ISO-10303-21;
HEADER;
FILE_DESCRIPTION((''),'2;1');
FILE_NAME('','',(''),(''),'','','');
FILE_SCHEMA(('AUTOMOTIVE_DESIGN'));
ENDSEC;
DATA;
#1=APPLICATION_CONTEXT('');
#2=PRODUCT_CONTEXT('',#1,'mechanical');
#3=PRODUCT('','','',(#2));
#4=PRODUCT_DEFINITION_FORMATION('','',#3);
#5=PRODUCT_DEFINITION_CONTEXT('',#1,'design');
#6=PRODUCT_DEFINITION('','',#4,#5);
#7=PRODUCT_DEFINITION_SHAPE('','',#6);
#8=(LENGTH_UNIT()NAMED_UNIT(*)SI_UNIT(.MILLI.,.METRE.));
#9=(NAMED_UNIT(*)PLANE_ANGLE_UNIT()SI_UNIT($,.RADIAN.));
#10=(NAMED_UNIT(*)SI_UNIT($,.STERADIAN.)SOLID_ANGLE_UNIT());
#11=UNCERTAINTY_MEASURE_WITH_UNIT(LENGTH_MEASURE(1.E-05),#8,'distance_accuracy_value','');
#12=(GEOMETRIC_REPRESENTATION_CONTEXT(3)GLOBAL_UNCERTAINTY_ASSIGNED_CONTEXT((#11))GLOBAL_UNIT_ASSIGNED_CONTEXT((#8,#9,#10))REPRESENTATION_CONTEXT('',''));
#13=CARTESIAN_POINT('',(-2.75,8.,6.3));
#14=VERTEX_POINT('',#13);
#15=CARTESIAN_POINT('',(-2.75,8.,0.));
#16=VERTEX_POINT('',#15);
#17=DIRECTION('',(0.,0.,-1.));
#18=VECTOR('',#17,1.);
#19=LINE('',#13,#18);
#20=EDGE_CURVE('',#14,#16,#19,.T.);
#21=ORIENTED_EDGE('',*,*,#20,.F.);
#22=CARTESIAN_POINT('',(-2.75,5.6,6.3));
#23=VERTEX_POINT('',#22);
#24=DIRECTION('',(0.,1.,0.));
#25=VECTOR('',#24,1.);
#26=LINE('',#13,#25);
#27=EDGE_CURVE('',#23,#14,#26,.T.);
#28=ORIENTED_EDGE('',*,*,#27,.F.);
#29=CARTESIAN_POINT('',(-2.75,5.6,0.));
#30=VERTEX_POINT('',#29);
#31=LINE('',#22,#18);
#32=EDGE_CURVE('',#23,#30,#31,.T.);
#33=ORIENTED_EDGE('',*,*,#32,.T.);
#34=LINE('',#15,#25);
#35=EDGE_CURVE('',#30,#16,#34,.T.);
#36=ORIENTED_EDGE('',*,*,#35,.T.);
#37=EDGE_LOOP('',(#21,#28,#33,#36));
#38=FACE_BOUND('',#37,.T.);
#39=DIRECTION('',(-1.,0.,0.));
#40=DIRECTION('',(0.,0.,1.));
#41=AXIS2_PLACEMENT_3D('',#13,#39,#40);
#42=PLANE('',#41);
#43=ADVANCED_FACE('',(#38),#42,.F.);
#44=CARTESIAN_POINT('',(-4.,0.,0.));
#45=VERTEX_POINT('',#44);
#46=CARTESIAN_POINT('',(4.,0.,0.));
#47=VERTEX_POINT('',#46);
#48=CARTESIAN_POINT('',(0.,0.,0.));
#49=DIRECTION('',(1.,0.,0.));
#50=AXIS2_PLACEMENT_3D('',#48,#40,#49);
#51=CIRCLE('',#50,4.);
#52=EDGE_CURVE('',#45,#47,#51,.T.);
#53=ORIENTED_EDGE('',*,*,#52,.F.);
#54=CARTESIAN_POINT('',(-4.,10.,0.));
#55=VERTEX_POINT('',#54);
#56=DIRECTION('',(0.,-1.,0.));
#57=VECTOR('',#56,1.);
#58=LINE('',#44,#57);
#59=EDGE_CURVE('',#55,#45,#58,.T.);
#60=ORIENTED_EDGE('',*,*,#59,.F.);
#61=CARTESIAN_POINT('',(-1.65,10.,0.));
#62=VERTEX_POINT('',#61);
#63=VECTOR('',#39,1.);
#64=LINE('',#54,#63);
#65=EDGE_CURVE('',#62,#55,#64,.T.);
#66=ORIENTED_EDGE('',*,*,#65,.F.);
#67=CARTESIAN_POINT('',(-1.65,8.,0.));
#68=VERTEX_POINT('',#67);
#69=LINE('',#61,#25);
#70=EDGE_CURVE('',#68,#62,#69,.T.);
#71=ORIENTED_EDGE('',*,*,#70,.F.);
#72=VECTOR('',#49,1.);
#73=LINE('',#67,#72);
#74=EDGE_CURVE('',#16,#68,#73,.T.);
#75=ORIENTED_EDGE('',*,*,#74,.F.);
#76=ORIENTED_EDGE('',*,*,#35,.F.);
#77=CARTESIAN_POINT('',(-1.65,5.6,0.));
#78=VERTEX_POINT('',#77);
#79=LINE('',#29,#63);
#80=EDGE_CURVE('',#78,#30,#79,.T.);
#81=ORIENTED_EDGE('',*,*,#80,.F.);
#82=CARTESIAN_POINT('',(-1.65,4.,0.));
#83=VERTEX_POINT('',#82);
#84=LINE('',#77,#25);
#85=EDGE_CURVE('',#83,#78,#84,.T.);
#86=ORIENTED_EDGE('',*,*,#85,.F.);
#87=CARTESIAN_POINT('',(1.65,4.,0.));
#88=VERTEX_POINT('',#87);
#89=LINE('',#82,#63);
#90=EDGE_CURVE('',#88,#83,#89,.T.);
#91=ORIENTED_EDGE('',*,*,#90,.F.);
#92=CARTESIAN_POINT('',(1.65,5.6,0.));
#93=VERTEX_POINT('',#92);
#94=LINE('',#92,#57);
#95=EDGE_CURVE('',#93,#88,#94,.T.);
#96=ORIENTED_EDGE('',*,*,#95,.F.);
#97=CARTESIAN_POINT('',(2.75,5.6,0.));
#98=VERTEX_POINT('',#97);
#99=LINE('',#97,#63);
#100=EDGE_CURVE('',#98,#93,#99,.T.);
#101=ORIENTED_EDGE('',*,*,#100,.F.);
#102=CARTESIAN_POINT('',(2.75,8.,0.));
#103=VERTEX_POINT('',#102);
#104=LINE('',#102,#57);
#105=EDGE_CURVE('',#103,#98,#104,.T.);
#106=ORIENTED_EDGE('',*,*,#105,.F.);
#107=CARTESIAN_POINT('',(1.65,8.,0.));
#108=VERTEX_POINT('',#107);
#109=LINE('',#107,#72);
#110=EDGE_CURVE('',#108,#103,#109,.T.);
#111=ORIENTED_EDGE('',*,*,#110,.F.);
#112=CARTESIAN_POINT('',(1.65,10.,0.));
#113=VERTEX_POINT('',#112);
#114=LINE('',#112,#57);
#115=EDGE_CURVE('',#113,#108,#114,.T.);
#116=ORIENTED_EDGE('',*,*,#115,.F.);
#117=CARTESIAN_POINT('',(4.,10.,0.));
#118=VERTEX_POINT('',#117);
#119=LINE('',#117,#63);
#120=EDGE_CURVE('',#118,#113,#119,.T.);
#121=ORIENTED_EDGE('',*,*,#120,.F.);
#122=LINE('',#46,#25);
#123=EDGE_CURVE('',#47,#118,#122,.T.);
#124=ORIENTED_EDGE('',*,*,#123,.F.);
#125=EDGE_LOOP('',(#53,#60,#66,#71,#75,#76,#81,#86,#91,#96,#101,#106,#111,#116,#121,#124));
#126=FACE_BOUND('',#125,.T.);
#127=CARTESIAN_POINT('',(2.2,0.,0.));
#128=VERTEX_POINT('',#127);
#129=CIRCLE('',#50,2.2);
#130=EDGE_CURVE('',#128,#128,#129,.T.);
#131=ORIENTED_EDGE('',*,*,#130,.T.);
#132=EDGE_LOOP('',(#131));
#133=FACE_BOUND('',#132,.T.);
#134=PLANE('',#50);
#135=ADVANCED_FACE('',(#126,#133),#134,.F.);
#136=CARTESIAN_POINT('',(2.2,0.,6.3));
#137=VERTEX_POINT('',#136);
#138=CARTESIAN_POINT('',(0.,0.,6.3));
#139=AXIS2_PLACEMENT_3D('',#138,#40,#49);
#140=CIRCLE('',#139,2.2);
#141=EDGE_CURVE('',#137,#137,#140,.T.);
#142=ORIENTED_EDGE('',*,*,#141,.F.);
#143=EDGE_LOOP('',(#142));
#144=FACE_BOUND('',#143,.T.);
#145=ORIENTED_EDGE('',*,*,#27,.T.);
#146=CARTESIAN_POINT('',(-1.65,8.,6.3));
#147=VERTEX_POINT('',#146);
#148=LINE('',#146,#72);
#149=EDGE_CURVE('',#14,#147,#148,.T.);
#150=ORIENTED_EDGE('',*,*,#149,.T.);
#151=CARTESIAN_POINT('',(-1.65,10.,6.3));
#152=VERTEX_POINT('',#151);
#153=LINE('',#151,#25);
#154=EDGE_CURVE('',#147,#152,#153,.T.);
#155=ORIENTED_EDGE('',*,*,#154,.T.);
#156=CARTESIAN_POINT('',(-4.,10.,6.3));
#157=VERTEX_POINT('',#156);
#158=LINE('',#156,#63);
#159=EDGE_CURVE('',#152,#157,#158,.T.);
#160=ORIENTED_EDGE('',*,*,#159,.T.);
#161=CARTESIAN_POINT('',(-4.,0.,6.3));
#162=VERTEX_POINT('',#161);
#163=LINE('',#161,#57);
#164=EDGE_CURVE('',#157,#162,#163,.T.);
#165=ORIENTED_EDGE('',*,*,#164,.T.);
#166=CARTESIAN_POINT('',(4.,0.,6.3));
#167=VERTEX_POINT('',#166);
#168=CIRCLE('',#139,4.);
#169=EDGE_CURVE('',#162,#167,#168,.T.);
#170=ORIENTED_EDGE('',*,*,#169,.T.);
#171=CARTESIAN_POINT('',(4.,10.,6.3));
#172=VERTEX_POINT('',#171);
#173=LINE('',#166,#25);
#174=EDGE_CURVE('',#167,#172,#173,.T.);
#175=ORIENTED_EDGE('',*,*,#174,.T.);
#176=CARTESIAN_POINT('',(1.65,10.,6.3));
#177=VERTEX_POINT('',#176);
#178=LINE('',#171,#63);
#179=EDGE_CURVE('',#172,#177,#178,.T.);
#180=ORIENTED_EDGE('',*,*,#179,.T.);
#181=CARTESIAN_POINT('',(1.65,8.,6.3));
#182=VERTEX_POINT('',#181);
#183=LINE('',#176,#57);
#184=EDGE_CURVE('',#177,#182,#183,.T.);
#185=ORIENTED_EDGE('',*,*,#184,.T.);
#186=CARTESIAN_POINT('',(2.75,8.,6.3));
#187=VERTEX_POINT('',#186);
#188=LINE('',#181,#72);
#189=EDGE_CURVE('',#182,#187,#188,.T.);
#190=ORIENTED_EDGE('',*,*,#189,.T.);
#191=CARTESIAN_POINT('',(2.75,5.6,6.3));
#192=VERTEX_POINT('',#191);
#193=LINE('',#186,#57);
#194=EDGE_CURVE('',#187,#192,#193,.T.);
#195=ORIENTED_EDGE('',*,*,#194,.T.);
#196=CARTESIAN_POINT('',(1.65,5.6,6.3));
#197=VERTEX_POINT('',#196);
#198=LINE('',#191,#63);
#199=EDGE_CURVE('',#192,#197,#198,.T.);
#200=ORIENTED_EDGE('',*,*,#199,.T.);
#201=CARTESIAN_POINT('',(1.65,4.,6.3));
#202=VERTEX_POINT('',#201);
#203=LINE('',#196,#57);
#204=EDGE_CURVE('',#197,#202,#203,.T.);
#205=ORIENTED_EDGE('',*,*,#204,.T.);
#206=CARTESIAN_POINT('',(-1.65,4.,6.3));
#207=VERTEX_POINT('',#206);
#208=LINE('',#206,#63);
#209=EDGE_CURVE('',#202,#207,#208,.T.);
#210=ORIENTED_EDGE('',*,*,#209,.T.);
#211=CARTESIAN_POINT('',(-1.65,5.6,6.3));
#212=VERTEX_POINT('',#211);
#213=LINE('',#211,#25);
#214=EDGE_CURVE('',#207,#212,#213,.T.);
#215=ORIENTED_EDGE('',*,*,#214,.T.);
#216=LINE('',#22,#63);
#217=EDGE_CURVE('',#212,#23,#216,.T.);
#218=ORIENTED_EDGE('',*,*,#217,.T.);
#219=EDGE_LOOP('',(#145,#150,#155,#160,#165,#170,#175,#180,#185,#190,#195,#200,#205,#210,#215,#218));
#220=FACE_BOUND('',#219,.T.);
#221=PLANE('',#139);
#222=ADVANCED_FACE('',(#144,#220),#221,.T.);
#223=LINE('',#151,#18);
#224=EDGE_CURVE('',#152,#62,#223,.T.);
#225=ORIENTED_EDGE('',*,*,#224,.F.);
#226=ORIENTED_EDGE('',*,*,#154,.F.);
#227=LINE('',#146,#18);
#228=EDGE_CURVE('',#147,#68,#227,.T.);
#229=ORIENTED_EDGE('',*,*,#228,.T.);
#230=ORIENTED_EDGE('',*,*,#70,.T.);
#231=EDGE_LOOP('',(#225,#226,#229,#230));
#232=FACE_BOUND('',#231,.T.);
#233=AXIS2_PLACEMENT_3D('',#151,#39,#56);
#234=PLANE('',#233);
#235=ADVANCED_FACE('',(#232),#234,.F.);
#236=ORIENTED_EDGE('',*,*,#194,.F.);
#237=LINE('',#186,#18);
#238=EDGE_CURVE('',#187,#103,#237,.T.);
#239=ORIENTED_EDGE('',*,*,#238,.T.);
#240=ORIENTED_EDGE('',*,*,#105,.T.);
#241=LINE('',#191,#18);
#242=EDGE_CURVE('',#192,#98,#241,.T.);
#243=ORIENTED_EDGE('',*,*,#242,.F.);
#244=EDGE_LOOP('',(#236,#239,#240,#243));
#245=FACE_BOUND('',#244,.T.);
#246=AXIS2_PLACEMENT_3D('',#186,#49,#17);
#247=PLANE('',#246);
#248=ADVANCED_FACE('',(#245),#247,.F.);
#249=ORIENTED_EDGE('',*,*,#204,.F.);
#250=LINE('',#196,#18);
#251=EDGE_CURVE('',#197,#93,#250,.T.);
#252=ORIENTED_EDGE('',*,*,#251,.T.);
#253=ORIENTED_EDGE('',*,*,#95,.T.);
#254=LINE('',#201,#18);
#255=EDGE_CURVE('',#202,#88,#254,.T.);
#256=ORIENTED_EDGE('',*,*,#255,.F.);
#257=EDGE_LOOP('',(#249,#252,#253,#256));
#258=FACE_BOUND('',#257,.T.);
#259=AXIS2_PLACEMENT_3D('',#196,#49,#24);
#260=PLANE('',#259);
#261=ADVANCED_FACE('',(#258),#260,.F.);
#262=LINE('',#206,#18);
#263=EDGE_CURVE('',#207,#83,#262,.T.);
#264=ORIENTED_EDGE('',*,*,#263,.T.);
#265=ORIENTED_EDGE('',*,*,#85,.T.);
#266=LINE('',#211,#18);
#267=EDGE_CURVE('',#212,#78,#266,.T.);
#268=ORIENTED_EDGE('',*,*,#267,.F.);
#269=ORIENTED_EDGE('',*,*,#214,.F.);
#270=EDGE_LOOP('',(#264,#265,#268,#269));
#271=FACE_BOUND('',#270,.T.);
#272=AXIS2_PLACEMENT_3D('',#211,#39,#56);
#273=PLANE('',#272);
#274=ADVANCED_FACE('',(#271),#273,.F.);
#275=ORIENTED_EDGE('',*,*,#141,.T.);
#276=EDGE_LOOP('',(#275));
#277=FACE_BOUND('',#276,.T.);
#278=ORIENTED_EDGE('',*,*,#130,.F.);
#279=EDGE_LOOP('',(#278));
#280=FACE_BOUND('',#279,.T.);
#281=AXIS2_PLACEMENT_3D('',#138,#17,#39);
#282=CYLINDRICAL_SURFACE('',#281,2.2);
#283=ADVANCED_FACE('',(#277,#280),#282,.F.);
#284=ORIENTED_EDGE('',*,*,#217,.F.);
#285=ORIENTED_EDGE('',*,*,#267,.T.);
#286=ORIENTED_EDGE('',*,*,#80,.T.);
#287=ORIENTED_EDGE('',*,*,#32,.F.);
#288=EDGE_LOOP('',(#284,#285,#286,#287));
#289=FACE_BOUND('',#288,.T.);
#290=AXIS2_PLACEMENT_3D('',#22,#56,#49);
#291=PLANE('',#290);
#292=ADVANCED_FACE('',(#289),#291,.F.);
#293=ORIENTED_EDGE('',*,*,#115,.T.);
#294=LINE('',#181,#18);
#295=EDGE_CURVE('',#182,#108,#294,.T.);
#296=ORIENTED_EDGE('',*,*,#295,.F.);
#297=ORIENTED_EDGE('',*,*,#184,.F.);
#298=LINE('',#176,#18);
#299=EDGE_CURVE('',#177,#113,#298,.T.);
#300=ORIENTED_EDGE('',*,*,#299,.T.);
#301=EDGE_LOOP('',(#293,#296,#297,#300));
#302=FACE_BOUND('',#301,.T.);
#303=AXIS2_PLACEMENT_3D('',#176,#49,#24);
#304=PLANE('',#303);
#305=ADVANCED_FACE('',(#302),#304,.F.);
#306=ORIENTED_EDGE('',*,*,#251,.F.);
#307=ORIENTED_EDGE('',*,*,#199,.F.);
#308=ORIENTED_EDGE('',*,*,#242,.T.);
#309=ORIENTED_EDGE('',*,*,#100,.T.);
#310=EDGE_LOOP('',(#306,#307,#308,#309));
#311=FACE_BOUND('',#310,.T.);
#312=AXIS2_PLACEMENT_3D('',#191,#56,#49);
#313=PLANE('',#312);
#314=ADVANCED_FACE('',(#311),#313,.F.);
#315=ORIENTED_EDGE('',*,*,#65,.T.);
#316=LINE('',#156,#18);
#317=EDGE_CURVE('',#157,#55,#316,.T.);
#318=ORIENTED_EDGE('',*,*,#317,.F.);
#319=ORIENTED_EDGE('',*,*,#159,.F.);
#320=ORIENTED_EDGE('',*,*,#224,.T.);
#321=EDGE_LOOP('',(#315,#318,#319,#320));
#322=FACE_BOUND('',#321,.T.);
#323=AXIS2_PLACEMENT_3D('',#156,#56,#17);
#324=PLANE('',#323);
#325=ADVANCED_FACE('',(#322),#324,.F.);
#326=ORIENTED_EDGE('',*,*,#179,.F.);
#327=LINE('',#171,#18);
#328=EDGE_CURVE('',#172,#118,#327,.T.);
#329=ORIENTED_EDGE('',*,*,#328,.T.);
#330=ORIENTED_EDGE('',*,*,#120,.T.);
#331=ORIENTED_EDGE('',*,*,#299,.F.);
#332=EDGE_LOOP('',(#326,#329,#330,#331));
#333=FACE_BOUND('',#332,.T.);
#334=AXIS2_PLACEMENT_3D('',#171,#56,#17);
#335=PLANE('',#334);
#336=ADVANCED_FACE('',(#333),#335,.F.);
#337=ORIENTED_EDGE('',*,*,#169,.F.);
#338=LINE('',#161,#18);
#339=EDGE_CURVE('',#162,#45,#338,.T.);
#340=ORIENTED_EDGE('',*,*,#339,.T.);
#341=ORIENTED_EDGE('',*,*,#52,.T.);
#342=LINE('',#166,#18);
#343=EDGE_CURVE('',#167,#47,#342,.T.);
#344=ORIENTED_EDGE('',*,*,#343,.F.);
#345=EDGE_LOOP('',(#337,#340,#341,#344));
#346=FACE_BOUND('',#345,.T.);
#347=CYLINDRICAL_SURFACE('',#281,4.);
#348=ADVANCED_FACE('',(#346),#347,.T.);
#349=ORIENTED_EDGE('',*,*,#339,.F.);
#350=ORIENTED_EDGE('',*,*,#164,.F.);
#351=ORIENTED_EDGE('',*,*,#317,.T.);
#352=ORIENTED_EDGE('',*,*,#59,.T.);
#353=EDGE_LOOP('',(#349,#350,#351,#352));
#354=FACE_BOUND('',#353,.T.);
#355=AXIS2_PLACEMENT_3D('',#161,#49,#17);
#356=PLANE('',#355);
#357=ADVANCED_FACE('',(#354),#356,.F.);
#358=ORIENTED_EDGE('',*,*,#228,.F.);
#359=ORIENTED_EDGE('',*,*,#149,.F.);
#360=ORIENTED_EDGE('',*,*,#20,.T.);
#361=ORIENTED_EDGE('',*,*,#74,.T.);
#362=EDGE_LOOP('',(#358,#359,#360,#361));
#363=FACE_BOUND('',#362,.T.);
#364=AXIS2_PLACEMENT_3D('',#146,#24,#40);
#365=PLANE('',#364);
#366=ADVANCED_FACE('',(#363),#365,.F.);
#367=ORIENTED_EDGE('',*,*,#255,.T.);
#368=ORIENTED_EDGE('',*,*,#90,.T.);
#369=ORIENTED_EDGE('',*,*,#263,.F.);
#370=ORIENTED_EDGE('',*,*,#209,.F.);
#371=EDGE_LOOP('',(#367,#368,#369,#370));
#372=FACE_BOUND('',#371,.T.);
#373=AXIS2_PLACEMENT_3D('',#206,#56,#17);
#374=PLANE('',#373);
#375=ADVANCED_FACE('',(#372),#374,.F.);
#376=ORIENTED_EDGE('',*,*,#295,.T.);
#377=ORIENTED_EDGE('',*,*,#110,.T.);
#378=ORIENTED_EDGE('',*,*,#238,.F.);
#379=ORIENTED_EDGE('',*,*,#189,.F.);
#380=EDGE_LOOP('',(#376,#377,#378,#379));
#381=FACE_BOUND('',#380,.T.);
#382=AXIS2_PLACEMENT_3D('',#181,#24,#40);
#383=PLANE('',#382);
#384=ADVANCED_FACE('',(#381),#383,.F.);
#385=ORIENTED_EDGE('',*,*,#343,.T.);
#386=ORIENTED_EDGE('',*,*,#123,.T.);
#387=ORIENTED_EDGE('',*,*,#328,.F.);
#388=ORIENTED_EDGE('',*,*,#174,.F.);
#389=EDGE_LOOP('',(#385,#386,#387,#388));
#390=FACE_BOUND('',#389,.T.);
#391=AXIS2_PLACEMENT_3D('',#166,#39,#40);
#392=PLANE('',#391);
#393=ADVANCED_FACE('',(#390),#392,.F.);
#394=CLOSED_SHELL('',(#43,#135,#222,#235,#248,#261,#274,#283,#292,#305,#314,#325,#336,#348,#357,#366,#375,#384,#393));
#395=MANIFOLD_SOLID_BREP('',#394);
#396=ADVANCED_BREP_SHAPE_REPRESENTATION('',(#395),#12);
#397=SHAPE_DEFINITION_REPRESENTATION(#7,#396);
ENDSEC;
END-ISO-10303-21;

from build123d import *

# Parameters (mm, degrees)
SKETCH1_R           = 2.2
BOSS_EXTRUDE1_DEPTH = 6.3


with BuildPart() as part:
    # Sketch1 → Boss-Extrude1 (new body)
    with BuildSketch(Plane.XY):
        with BuildLine():
            Line((-4, 0), (-4, 10))
            Line((-4, 10), (-1.65, 10))
            Line((-1.65, 10), (-1.65, 8))
            Line((-1.65, 8), (-2.75, 8))
            Line((-2.75, 8), (-2.75, 5.6))
            Line((-2.75, 5.6), (-1.65, 5.6))
            Line((-1.65, 5.6), (-1.65, 4))
            Line((-1.65, 4), (1.65, 4))
            Line((1.65, 4), (1.65, 5.6))
            Line((1.65, 5.6), (2.75, 5.6))
            Line((2.75, 5.6), (2.75, 8))
            Line((2.75, 8), (1.65, 8))
            Line((1.65, 8), (1.65, 10))
            Line((1.65, 10), (4, 10))
            Line((4, 10), (4, 0))
            ThreePointArc((4, 0), (0, -4), (-4, 0))
        make_face()
        Circle(SKETCH1_R, mode=Mode.SUBTRACT)
    extrude(amount=BOSS_EXTRUDE1_DEPTH)


solid = part.part
